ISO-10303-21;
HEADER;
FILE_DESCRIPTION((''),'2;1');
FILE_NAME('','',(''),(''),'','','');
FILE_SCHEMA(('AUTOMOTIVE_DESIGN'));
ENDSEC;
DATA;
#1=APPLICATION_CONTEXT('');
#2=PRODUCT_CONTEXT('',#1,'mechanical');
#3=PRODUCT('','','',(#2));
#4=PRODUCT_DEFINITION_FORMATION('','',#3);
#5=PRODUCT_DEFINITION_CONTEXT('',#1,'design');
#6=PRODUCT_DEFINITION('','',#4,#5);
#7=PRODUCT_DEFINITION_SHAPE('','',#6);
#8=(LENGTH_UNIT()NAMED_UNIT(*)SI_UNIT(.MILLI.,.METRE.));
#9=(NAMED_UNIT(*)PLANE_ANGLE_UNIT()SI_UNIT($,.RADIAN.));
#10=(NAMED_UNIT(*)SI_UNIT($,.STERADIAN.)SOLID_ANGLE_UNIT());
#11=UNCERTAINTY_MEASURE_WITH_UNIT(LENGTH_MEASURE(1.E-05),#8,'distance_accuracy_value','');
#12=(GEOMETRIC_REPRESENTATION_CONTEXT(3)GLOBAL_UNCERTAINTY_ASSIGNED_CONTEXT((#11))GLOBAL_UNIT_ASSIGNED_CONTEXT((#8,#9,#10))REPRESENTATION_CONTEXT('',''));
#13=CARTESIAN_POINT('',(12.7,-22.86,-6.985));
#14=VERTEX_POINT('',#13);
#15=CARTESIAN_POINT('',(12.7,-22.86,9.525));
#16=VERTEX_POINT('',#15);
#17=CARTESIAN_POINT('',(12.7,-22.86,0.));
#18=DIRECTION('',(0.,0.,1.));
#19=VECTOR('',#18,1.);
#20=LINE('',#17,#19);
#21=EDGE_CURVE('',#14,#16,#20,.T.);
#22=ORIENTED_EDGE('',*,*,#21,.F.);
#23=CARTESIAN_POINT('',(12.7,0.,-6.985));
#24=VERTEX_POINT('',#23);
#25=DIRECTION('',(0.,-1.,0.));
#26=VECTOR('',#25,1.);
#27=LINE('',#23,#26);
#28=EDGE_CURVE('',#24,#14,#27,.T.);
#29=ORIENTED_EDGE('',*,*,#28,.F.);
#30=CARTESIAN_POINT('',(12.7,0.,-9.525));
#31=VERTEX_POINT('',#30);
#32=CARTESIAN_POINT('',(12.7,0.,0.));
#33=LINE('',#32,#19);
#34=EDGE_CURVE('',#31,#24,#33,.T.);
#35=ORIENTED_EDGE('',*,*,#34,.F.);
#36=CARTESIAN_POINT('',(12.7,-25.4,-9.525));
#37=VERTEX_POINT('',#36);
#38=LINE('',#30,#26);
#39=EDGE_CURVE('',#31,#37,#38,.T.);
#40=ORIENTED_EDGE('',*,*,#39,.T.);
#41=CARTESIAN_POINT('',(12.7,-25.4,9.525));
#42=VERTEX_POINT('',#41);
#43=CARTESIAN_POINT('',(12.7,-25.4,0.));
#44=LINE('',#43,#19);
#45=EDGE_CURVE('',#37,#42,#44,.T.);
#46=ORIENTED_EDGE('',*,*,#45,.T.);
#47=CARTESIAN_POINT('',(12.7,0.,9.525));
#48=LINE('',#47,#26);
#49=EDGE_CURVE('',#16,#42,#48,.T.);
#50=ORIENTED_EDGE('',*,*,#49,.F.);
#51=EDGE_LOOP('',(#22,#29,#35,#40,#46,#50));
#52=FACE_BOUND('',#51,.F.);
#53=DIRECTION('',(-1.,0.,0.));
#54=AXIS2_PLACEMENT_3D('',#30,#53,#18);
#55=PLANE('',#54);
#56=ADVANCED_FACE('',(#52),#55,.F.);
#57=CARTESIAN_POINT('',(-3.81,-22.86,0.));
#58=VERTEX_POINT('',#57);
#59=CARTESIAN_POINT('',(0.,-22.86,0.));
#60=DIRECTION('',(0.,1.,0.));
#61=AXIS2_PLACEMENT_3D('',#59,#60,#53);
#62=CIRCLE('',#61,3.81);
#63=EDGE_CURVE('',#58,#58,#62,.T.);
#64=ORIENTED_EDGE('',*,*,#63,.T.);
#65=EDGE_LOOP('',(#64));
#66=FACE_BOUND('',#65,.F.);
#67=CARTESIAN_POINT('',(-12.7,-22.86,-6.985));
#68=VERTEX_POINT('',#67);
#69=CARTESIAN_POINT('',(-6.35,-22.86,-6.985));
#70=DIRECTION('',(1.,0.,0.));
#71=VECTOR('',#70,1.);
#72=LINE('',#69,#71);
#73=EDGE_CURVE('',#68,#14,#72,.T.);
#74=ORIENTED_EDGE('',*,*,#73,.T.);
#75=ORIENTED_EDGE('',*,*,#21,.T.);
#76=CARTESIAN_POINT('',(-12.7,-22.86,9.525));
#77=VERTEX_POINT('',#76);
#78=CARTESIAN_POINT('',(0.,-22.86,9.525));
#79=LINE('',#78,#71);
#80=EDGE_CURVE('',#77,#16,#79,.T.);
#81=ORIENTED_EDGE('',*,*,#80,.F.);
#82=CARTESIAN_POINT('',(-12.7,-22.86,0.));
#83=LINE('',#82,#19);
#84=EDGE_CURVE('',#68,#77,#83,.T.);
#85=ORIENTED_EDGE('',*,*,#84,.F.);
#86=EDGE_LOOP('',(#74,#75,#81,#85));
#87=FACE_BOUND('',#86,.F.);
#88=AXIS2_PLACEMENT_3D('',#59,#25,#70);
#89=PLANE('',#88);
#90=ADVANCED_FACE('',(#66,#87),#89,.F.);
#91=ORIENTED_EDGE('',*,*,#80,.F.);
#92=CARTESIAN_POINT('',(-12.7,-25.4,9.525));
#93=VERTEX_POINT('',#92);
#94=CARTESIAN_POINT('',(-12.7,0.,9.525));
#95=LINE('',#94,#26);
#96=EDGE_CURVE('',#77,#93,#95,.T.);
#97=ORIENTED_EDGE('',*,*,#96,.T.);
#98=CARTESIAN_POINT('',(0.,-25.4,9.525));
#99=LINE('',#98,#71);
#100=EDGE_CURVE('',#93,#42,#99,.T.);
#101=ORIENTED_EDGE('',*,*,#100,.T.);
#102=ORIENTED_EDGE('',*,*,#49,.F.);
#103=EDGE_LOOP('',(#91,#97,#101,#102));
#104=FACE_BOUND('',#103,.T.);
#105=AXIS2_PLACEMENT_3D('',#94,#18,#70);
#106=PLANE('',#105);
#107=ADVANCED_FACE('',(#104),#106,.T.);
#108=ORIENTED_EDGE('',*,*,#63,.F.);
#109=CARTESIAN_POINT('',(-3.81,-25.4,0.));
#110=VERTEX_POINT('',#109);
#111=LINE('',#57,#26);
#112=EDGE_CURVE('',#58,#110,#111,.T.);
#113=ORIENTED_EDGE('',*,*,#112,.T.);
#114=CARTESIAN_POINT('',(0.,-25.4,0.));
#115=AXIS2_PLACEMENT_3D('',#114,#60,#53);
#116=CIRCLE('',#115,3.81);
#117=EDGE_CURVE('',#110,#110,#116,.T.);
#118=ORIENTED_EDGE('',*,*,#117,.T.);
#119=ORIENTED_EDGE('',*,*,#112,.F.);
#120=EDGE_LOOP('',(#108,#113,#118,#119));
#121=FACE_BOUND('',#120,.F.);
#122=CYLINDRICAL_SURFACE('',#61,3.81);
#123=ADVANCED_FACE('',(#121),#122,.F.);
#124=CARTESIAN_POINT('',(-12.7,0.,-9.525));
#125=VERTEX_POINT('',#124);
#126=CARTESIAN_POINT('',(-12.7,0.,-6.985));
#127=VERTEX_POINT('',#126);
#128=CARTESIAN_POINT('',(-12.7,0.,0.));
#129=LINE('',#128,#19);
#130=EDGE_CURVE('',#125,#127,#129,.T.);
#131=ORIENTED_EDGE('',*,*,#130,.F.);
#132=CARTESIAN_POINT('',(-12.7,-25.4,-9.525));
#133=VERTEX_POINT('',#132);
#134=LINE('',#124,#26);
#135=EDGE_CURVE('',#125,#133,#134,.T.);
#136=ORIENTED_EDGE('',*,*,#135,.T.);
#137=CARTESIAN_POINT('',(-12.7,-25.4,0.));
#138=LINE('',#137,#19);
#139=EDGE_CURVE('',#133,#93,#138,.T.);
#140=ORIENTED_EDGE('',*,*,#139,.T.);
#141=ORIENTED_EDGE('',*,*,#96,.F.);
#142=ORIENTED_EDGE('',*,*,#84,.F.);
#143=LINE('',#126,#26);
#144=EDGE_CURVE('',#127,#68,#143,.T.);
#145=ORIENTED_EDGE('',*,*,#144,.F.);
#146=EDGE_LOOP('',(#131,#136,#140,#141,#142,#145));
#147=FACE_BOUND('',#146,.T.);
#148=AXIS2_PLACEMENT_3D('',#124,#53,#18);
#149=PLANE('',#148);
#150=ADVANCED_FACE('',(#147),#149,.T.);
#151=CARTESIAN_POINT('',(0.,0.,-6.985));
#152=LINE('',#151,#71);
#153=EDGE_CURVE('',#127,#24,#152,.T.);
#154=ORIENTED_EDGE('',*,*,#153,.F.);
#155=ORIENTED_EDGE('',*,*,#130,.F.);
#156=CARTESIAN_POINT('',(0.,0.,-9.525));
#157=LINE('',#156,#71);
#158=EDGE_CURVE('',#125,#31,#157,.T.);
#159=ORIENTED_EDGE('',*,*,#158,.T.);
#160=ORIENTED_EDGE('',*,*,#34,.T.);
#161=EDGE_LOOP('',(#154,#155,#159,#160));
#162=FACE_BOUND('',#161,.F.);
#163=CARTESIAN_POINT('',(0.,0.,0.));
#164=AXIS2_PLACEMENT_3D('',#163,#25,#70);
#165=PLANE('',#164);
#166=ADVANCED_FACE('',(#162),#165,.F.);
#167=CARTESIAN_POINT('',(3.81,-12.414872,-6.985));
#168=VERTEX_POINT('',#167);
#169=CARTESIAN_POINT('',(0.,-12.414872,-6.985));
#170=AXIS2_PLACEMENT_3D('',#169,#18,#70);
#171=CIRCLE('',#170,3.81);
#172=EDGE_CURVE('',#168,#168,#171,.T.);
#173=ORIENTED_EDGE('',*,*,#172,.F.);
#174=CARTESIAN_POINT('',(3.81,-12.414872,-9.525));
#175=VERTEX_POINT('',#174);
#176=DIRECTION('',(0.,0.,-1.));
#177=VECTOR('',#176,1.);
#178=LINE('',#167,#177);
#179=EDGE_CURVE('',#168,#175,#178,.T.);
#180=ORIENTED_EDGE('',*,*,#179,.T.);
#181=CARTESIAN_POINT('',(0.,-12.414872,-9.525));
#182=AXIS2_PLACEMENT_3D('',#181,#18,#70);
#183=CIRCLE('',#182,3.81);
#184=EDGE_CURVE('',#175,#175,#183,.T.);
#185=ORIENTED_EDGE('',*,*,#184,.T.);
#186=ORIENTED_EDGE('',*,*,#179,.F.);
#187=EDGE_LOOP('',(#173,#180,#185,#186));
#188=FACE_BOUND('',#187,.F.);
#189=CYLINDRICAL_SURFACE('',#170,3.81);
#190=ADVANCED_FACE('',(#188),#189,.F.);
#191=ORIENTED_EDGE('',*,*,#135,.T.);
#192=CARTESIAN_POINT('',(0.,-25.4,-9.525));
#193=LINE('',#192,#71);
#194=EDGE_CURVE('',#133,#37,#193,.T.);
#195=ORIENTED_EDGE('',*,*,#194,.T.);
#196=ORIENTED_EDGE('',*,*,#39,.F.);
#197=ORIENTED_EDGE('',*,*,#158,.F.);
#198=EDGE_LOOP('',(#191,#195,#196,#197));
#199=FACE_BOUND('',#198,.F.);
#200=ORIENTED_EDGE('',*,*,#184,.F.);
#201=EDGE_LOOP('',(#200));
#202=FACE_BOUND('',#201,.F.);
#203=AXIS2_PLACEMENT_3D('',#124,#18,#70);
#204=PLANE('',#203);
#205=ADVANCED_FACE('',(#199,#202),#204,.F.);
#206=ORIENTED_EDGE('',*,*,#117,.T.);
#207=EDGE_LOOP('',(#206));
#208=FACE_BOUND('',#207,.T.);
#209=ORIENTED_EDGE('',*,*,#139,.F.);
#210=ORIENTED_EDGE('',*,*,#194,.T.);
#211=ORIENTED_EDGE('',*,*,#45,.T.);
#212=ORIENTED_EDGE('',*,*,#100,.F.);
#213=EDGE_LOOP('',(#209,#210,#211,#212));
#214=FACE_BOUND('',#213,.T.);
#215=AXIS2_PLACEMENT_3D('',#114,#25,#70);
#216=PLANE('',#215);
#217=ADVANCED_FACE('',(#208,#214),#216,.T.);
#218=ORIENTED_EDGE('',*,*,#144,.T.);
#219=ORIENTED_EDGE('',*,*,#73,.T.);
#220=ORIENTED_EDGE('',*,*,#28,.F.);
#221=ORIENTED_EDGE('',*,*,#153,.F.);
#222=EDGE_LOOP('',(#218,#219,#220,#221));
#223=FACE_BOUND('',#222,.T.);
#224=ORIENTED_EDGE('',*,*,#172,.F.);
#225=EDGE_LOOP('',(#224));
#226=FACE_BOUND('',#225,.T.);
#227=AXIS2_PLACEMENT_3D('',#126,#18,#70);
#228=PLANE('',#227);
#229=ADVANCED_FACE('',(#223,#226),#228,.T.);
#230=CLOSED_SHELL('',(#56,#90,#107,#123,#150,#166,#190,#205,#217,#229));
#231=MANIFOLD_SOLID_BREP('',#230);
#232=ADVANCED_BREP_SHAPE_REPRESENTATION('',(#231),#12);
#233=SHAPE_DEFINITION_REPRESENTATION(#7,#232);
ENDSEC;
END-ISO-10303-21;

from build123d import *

# Parameters (mm, degrees)
F0_W     = 25.4
F0_H     = 19.05
F1_DEPTH = 25.4
F2_T     = -2.54
F3_R     = 3.81
F5_DEPTH = 25.4
F4_R     = 3.81
F6_DEPTH = 25.4


with BuildPart() as f1:
    # F0 (on Front) → F1 (new body)
    with BuildSketch(Plane.XZ):
        Rectangle(F0_W, F0_H)
    extrude(amount=F1_DEPTH)

    # F2
    f2_openings = [f1.faces().sort_by_distance(p)[0] for p in [
        (12.7, -12.7, 0),
        (0, -12.7, 9.525),
        (0, 0, 0),
        (-12.7, -12.7, 0),
    ]]
    offset(amount=F2_T, openings=f2_openings)

    # F3 (on face) → F5 (cut)
    with BuildSketch(Plane(origin=(0, -22.86, 0), x_dir=(-1, 0, 0), z_dir=(0, 1, 0))):
        Circle(F3_R)
    extrude(amount=-F5_DEPTH, mode=Mode.SUBTRACT)

    # F4 (on face) → F6 (cut)
    with BuildSketch(Plane.XY.offset(-6.985)):
        with Locations((0, -12.414872)):
            Circle(F4_R)
    extrude(amount=-F6_DEPTH, mode=Mode.SUBTRACT)


solid = f1.part
